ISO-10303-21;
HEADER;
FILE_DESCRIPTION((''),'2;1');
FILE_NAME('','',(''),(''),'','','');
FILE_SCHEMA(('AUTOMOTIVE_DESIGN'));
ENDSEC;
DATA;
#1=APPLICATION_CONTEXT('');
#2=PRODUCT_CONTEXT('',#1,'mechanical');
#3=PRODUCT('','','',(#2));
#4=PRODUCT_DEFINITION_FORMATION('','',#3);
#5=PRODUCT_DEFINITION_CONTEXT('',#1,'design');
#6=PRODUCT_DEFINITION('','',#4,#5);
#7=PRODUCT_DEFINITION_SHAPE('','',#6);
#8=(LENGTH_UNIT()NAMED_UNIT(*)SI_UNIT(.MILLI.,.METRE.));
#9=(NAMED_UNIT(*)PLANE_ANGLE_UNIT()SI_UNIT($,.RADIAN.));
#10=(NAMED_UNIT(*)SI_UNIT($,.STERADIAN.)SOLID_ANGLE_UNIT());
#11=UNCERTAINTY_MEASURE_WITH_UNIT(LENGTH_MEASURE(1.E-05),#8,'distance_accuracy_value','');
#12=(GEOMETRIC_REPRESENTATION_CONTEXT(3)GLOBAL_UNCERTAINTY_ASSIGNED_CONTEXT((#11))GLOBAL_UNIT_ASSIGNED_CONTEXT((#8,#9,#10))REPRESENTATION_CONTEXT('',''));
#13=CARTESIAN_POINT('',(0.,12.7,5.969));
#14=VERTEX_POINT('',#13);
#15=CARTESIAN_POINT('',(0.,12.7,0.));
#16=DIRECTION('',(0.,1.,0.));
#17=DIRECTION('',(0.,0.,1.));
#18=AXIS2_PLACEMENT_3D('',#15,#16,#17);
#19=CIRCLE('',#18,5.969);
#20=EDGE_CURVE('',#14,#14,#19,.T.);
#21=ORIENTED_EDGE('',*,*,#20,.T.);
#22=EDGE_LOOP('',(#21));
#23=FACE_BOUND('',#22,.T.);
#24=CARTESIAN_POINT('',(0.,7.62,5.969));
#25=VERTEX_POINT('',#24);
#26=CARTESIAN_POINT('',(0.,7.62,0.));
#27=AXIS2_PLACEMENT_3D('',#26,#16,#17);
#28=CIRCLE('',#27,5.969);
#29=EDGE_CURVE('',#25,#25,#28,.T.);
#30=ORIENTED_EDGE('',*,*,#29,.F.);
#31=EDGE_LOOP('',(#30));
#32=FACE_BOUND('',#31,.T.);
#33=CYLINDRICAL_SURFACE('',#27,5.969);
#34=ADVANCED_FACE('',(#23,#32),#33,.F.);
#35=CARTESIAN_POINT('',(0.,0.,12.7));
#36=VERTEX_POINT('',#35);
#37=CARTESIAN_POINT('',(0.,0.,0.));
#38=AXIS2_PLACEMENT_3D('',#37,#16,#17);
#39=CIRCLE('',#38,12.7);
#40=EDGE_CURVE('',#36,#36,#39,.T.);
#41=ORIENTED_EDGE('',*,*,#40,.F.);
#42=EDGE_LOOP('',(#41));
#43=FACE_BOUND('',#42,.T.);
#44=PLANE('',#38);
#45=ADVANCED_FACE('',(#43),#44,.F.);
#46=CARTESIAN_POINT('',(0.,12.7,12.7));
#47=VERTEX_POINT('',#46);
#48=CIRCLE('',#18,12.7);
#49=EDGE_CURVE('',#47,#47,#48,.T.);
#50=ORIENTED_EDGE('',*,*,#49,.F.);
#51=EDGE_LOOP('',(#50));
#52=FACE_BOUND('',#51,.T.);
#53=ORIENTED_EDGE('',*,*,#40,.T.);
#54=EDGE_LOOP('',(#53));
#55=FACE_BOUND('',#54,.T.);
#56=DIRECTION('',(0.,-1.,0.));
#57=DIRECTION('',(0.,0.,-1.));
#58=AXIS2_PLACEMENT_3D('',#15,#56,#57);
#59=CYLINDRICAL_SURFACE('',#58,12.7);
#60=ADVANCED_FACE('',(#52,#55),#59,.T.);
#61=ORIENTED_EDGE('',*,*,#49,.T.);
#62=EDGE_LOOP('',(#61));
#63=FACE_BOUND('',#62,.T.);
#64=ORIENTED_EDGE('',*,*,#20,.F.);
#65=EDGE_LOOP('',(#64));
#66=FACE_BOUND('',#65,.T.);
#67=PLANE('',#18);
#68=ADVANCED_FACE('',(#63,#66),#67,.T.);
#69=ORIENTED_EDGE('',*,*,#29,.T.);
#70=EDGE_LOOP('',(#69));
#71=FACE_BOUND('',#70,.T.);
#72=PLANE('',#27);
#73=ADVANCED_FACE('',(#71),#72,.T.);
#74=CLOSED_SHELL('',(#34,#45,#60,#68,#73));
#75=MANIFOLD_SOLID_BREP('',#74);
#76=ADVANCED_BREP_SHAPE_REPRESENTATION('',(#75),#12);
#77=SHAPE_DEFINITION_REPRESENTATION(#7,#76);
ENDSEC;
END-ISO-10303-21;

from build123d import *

# Parameters (mm, degrees)
SKETCH1_R           = 12.7
BOSS_EXTRUDE1_DEPTH = 12.7
SKETCH2_R           = 5.969
CUT_EXTRUDE1_DEPTH  = 5.08


with BuildPart() as part:
    # Sketch1 → Boss-Extrude1 (new body)
    with BuildSketch(Plane(origin=(0, 0, 0), x_dir=(1, 0, 0), z_dir=(0, 1, 0))):
        with Locations(Location((0, 0, 0), (0, 0, 270))):  # turned: the seam where the file's is
            Circle(SKETCH1_R)
    extrude(amount=BOSS_EXTRUDE1_DEPTH)

    # Sketch2 → Cut-Extrude1 (cut)
    with BuildSketch(Plane(origin=(0, 12.7, 0), x_dir=(1, 0, 0), z_dir=(0, 1, 0))):
        with Locations(Location((0, 0, 0), (0, 0, 270))):  # turned: the seam where the file's is
            Circle(SKETCH2_R)
    extrude(amount=-CUT_EXTRUDE1_DEPTH, mode=Mode.SUBTRACT)


solid = part.part
